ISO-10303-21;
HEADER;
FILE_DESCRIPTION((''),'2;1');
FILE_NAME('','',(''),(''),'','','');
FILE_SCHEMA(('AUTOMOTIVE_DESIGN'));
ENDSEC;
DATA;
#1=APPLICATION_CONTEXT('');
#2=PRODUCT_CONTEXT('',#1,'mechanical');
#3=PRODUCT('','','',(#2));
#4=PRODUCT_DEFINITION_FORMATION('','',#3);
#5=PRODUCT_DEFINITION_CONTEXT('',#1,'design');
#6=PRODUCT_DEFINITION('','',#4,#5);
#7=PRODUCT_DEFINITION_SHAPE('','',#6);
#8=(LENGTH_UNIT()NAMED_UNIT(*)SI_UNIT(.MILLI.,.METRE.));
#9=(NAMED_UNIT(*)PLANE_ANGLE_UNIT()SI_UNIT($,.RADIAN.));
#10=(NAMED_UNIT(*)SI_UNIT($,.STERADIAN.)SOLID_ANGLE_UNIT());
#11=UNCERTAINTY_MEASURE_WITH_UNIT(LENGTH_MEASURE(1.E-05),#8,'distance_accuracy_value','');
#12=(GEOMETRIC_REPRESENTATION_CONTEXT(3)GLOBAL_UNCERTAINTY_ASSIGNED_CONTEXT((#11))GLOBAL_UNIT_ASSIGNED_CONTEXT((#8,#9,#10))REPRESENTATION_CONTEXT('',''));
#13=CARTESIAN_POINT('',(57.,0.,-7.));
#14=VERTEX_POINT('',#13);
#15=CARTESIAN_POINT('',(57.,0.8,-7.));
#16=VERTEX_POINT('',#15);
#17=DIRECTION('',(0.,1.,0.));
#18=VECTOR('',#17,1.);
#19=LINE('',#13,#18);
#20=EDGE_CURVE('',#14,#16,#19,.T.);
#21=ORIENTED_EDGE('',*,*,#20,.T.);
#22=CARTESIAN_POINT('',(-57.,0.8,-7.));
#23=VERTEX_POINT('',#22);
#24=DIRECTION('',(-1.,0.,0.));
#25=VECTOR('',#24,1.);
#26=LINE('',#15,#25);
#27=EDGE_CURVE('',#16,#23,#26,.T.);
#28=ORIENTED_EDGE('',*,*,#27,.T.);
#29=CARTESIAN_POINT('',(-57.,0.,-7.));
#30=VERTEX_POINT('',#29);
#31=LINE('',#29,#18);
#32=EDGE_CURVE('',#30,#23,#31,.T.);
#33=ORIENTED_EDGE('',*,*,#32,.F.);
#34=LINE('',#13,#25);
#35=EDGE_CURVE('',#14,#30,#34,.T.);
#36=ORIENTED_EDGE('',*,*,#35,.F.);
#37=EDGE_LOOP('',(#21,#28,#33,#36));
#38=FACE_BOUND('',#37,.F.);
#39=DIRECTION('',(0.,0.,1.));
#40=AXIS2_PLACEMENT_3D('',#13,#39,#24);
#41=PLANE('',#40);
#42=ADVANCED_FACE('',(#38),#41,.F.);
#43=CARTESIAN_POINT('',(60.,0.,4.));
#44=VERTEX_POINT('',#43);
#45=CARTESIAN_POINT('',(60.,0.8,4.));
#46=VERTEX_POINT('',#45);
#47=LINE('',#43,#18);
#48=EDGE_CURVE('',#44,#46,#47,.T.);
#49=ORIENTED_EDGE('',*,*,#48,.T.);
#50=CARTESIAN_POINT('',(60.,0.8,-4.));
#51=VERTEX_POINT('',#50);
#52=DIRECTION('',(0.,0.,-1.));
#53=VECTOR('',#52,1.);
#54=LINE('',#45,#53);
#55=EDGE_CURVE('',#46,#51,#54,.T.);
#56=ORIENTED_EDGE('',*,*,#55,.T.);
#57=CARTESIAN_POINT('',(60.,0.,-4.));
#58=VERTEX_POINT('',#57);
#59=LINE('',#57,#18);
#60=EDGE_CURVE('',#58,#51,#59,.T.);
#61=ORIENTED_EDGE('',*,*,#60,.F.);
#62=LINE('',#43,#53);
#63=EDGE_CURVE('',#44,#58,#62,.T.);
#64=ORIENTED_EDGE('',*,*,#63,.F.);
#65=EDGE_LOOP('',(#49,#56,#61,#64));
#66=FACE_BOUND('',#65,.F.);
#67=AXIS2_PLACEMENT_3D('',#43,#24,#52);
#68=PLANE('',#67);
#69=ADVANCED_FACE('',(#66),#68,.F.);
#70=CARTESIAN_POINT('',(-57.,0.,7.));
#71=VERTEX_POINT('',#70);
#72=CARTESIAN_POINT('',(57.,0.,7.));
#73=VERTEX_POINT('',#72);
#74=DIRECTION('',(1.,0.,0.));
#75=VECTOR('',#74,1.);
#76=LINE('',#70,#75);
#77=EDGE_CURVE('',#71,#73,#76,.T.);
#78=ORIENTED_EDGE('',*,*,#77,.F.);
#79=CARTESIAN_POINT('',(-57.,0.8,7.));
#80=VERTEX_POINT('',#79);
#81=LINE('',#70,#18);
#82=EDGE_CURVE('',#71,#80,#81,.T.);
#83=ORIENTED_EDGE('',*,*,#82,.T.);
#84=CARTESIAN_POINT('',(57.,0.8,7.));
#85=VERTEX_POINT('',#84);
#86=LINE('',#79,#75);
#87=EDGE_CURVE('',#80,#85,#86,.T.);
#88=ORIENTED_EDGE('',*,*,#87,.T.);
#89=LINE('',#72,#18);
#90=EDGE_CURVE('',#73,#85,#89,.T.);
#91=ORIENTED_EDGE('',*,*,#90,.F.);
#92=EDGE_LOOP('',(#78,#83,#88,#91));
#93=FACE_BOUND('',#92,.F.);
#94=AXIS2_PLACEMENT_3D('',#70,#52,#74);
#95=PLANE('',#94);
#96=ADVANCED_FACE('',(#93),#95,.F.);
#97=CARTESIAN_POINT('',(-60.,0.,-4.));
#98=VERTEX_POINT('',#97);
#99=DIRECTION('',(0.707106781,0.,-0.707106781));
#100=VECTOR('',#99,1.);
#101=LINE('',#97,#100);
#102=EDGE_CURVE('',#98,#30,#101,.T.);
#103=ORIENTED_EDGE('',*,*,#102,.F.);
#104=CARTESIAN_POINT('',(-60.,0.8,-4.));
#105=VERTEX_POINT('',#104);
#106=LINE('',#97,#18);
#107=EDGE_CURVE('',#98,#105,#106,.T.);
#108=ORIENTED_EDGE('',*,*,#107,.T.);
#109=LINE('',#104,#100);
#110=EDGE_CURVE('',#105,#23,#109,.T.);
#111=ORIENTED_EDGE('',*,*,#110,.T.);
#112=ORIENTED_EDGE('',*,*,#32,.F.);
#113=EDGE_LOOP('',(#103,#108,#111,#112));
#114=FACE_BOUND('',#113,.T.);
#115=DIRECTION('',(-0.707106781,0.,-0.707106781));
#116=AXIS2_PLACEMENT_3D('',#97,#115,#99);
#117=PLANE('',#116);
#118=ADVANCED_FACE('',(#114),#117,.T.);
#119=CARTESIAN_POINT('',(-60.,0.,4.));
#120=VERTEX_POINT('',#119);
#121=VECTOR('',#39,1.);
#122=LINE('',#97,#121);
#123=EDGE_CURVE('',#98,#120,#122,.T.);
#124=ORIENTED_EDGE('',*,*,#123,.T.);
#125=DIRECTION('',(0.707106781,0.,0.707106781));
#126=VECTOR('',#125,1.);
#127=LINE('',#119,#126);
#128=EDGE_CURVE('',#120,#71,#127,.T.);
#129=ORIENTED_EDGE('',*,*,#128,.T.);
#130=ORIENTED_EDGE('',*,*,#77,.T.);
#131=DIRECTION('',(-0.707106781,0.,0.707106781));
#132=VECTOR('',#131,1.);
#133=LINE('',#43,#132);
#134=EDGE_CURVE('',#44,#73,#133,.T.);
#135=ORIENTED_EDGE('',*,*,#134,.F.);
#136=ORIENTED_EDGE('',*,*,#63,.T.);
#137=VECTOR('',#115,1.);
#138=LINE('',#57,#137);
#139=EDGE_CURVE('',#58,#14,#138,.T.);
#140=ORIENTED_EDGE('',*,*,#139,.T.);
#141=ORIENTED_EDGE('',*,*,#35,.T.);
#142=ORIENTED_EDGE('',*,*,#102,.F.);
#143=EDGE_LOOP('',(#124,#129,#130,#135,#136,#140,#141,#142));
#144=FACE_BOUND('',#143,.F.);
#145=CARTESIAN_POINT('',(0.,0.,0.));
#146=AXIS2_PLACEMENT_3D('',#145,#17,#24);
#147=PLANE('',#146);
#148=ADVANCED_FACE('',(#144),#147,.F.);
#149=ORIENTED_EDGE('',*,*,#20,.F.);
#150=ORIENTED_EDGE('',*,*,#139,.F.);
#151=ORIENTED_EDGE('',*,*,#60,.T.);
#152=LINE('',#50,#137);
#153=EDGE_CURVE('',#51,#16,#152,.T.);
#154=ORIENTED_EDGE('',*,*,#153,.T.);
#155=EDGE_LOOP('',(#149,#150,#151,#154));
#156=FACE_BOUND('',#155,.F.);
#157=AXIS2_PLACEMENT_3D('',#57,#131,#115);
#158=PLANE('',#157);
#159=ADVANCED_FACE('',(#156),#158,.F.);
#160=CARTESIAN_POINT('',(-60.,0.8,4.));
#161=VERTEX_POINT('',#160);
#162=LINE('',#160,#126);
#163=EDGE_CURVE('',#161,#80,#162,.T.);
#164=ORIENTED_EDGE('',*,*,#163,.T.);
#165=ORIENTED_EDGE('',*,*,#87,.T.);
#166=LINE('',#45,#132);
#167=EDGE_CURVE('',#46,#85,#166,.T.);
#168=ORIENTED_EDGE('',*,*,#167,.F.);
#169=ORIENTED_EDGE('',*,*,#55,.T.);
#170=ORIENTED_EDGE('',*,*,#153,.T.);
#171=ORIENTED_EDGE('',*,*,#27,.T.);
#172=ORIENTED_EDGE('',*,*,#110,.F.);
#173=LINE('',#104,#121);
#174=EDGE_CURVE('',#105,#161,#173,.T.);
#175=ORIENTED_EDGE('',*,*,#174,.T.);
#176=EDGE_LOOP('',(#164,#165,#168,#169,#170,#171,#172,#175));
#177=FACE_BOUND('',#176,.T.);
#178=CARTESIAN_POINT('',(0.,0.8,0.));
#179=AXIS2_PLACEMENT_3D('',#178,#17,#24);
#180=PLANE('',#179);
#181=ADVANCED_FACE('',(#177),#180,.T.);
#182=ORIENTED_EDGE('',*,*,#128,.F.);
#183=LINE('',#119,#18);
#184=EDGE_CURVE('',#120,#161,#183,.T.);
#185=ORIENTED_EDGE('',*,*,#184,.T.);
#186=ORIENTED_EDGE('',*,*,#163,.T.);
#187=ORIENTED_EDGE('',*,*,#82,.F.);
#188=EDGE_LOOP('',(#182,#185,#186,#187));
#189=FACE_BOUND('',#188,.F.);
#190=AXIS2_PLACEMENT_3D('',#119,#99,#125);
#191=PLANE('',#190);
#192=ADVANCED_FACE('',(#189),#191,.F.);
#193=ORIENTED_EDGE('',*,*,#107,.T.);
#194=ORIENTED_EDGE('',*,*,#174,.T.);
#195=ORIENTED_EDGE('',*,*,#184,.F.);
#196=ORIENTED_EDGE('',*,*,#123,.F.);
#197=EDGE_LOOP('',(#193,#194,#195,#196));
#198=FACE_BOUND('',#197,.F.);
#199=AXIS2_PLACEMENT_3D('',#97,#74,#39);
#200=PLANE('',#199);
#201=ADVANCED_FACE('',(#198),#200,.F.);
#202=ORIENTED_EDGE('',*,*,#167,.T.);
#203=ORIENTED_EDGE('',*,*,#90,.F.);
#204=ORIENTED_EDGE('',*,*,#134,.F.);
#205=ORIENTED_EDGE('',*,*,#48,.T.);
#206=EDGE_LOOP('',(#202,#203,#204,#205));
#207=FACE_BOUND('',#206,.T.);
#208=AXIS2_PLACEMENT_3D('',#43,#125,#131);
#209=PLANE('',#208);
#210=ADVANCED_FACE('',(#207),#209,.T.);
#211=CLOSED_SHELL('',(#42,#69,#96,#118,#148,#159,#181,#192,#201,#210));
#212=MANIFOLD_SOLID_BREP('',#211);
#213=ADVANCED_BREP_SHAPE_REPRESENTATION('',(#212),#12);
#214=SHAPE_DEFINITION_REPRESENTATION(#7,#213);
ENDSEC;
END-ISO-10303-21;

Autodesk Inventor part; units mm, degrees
ref_plane "YZ Plane" through (0, 0, 0) normal (1, 0, 0) x (0, 1, 0)
ref_plane "XZ Plane" through (0, 0, 0) normal (0, 1, 0) x (-1, 0, 0)
ref_plane "XY Plane" through (0, 0, 0) normal (0, 0, 1) x (1, 0, 0)
sketch "Sketch1" plane through (0, 0, 0) normal (0, 1, 0) x (-1, 0, 0)
  line L0 (57, 7) -> (-57, 7)
  line L1 (-60, 4) -> (-60, -4)
  line L2 (-57, -7) -> (57, -7)
  line L3 (60, -4) -> (60, 4)
  line L4 (60, 7) -> (-60, -7) construction
  line L5 (-60, 7) -> (60, -7) construction
  line L6 (60, 4) -> (57, 7)
  line L7 (60, -4) -> (57, -7)
  line L8 (-60, 4) -> (-57, 7)
  line L9 (-60, -4) -> (-57, -7)
  point P0 (0, 0)
  dimension "d0" = 120
  dimension "d1" = 14
  dimension "d2" = 3
  dimension "d3" = 3
  dimension "d4" = 3
  dimension "d5" = 3
  dimension "d6" = 3
  dimension "d7" = 3
  dimension "d8" = 3
  dimension "d9" = 3
extrude "Extrusion1" add sketch "Sketch1" along normal blind 0.8
equation "\"d3\" = d2"
equation "\"d4\" = d2"
equation "\"d5\" = d4"
equation "\"d6\" = d2"
equation "\"d7\" = d6"
equation "\"d8\" = d2"
equation "\"d9\" = d8"
properties part number "PCB" material "GFRC"
